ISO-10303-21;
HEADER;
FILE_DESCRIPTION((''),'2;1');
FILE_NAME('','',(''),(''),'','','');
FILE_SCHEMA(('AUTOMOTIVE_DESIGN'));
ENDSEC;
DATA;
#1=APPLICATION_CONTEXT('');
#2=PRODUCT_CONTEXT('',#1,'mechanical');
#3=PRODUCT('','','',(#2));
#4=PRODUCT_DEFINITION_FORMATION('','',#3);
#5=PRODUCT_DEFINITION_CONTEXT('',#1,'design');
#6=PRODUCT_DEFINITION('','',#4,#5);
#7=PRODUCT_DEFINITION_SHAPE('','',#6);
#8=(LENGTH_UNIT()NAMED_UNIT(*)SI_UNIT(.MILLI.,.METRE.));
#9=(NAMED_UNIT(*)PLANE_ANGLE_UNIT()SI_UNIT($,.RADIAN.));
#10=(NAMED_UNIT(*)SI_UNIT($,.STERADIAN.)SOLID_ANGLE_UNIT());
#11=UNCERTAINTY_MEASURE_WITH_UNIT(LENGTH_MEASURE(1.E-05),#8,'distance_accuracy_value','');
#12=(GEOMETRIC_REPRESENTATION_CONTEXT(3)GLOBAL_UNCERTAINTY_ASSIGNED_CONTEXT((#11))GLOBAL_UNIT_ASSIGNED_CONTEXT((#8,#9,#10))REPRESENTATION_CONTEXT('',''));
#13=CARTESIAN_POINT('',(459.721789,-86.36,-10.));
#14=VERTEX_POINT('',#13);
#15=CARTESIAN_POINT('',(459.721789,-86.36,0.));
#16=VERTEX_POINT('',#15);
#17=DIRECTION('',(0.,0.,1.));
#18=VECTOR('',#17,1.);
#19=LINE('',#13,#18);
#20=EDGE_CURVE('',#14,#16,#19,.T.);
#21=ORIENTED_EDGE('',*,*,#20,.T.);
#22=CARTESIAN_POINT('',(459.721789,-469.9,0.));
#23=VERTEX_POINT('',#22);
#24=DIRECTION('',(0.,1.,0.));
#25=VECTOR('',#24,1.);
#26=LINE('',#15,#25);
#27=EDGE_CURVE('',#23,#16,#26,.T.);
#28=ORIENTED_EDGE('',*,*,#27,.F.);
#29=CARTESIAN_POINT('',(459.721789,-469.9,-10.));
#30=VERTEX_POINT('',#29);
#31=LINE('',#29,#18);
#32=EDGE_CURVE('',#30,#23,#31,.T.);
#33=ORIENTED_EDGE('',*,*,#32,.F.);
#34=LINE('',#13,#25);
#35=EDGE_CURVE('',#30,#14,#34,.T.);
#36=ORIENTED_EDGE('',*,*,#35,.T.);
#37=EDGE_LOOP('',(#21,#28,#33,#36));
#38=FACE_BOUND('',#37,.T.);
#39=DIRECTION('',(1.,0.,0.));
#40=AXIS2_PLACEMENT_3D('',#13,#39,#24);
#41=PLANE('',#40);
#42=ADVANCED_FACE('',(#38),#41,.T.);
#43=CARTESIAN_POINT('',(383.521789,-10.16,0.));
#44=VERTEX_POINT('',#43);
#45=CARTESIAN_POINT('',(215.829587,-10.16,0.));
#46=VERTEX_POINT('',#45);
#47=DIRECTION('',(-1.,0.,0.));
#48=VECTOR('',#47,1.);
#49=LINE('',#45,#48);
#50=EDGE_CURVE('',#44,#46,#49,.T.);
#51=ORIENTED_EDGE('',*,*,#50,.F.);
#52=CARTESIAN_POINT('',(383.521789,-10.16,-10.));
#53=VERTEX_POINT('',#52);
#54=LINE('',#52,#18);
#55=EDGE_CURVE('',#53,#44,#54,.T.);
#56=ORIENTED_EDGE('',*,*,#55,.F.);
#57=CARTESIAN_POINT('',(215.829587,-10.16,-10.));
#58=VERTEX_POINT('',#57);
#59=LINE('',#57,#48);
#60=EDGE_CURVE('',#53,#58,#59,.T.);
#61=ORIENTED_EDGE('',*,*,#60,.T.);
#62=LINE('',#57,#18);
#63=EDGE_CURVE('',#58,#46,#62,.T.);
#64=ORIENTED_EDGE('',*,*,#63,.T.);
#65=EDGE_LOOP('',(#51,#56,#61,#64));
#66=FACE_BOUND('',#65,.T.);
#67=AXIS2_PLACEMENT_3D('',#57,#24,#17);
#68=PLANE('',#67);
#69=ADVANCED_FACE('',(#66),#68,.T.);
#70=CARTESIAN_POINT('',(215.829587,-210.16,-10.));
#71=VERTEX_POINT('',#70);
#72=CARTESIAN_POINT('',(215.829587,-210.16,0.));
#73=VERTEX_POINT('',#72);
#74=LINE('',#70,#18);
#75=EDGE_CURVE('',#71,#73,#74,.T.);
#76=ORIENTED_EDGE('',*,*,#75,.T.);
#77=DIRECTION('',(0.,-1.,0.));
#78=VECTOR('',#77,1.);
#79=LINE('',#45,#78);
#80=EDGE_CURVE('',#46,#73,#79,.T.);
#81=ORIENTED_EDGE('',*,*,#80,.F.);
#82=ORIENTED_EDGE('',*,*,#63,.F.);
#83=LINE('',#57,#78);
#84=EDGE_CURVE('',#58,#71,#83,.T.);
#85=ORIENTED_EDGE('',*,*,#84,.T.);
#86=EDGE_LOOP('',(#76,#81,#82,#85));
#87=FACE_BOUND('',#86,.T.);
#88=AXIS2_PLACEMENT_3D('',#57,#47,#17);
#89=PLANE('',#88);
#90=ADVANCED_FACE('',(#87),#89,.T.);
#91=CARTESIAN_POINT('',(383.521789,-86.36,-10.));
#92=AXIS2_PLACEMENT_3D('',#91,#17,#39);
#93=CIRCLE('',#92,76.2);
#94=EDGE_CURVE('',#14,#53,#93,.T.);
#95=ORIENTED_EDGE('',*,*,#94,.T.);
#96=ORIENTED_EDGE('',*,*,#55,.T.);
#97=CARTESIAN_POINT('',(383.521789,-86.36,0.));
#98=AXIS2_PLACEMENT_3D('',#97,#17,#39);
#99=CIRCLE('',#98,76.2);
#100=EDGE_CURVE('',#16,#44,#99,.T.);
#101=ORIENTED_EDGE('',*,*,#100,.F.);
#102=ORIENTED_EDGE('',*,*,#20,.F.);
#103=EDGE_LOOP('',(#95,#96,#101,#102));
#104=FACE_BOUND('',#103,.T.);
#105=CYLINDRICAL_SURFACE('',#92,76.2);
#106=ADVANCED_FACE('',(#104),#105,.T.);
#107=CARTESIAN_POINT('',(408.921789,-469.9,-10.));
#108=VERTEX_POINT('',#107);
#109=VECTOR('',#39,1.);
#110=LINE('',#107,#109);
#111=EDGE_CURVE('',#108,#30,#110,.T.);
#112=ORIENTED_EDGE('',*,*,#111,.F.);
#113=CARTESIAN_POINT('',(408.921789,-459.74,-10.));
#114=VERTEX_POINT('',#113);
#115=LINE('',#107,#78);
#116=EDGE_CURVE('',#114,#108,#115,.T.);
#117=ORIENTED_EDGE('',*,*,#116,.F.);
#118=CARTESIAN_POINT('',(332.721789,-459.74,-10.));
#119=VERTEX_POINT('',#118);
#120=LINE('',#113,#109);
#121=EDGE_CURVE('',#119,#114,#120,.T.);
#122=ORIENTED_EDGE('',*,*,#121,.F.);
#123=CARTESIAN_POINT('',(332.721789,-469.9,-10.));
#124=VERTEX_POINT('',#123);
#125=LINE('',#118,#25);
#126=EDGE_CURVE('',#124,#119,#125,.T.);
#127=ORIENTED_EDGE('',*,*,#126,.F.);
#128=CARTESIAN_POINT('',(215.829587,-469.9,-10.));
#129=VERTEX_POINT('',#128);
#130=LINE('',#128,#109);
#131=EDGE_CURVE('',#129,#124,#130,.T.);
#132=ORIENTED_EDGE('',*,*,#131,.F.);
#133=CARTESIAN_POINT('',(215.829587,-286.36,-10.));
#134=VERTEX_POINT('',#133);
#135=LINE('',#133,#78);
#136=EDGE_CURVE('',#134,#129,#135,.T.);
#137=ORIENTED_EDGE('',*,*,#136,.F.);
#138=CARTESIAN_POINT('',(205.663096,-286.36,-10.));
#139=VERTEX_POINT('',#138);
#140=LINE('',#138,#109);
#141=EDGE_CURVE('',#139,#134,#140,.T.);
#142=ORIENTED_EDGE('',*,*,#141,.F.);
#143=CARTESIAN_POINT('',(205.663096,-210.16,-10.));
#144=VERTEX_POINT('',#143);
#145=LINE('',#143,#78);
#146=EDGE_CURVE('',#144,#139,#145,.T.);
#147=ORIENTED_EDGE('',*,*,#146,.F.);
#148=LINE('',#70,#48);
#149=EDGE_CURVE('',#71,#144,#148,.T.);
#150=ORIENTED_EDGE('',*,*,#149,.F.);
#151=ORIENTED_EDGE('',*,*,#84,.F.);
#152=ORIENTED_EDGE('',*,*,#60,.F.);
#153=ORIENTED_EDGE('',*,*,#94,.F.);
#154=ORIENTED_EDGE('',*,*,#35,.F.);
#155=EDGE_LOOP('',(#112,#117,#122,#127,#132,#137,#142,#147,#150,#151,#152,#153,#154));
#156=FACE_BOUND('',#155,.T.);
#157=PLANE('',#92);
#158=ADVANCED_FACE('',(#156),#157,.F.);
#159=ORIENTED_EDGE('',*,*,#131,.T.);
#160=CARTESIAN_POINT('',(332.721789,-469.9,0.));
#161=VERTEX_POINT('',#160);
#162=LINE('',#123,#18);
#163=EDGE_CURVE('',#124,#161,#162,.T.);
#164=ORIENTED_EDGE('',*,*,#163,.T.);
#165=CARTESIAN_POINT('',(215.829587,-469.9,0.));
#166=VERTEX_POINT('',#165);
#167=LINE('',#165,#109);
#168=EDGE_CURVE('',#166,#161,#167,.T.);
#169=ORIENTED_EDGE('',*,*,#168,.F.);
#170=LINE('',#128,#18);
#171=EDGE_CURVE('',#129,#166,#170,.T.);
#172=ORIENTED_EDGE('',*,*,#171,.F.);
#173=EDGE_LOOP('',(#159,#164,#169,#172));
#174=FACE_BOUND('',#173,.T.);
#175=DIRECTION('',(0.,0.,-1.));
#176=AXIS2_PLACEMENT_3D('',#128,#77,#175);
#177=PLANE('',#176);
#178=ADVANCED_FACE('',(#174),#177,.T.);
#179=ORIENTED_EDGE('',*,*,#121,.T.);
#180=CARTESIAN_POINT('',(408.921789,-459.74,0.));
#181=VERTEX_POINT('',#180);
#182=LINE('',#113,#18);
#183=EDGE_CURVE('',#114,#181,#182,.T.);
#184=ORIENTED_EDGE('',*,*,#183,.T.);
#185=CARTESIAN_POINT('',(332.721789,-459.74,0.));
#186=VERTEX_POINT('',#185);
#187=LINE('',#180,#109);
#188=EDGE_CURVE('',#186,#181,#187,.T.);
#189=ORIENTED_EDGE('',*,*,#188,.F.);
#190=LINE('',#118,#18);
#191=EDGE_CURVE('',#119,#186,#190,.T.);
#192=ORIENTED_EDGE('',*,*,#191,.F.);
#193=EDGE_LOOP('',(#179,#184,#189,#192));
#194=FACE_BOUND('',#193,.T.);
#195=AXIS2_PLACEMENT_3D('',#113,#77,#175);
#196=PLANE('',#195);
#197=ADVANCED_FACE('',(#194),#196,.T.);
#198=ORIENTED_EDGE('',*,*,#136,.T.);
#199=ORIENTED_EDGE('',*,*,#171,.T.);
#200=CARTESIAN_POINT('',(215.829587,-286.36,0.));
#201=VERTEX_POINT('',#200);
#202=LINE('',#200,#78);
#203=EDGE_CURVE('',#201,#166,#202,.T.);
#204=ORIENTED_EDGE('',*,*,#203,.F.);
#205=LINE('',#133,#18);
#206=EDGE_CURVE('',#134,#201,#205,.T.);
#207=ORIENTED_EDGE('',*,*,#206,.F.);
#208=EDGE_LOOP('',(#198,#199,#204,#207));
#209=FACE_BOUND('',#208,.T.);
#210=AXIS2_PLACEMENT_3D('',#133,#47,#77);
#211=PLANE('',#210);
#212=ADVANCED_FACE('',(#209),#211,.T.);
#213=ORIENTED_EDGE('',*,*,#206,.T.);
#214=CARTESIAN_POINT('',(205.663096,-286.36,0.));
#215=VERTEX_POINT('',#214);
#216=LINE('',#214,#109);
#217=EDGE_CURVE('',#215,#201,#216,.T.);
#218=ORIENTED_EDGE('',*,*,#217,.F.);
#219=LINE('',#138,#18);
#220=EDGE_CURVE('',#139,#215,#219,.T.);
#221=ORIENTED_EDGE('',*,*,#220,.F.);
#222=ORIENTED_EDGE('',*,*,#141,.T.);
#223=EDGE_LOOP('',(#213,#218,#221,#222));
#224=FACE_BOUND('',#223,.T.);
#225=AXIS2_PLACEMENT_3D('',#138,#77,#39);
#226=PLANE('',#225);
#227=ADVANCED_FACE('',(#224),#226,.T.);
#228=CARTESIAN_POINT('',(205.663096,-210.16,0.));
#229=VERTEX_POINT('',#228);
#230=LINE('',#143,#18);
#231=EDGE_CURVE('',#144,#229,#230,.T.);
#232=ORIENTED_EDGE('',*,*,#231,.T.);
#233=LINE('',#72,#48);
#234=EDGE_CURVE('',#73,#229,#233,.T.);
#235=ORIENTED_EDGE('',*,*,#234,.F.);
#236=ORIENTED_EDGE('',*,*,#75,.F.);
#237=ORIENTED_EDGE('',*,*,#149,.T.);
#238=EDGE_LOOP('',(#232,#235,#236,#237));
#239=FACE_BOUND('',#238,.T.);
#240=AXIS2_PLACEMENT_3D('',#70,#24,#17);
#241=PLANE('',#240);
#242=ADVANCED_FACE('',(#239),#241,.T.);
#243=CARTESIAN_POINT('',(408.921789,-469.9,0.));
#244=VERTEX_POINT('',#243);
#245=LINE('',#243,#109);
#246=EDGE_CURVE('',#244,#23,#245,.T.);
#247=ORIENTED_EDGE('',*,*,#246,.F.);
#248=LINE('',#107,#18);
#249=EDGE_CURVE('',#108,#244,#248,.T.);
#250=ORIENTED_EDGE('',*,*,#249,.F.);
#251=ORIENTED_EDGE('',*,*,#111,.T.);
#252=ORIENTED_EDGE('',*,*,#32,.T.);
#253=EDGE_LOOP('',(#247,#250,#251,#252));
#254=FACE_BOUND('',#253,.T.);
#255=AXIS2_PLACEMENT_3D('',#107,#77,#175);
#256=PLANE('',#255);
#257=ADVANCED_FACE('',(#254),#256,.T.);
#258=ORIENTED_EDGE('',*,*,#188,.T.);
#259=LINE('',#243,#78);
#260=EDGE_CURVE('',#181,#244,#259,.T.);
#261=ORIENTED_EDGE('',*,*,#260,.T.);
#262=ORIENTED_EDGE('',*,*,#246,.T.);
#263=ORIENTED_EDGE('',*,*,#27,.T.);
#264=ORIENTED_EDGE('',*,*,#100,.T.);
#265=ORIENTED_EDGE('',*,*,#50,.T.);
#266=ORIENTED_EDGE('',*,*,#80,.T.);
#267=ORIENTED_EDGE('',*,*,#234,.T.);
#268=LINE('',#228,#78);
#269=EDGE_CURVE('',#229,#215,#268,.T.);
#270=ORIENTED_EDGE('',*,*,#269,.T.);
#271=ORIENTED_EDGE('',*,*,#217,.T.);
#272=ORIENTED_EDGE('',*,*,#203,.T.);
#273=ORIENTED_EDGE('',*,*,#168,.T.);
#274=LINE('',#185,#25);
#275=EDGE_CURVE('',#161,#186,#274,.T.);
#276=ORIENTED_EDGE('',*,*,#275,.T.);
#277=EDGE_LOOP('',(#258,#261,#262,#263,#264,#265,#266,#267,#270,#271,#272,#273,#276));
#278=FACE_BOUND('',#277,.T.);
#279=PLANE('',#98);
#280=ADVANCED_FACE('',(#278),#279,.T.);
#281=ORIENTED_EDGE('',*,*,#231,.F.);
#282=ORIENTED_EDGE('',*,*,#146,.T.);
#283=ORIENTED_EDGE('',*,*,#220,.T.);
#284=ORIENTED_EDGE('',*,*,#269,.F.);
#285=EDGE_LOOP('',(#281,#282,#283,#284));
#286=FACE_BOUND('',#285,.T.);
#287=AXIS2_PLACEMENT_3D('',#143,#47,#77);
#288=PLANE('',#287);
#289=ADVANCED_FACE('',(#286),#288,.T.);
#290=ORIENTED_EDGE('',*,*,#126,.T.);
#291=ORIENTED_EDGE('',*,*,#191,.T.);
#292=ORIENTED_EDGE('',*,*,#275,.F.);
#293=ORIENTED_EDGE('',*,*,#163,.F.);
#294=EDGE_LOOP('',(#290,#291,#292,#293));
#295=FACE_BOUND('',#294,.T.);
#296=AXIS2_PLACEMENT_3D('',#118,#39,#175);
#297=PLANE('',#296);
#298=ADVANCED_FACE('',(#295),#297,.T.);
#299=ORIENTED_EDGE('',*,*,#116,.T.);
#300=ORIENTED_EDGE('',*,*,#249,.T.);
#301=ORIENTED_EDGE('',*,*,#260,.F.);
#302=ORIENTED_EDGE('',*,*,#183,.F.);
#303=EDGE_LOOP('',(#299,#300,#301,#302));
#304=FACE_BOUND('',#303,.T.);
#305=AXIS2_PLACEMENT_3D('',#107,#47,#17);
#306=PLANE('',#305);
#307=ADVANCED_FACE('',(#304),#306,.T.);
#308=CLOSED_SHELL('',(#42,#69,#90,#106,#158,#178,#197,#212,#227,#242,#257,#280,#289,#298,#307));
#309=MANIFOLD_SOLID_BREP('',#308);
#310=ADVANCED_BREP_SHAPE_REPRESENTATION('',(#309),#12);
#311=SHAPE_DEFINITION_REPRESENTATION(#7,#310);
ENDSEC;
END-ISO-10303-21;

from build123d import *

# Parameters (mm, degrees)
BOSS_EXTRUDE1_DEPTH = 10


with BuildPart() as part:
    # Sketch1 → Boss-Extrude1 (new body)
    with BuildSketch(Plane.XY):
        with BuildLine():
            Line((215.829586762, -10.16), (383.521789204, -10.16))
            ThreePointArc((383.521789204, -10.16), (437.403325931, -32.478463274), (459.721789204, -86.36))
            Line((459.721789204, -86.36), (459.721789204, -469.9))
            Line((459.721789204, -469.9), (408.921789204, -469.9))
            Line((408.921789204, -469.9), (408.921789204, -459.74))
            Line((408.921789204, -459.74), (332.721789204, -459.74))
            Line((332.721789204, -459.74), (332.721789204, -469.9))
            Line((332.721789204, -469.9), (215.829586762, -469.9))
            Line((215.829586762, -469.9), (215.829586762, -286.36))
            Line((215.829586762, -286.36), (205.663096361, -286.36))
            Line((205.663096361, -286.36), (205.663096361, -210.16))
            Line((205.663096361, -210.16), (215.829586762, -210.16))
            Line((215.829586762, -210.16), (215.829586762, -10.16))
        make_face()
    extrude(amount=-BOSS_EXTRUDE1_DEPTH)


solid = part.part
